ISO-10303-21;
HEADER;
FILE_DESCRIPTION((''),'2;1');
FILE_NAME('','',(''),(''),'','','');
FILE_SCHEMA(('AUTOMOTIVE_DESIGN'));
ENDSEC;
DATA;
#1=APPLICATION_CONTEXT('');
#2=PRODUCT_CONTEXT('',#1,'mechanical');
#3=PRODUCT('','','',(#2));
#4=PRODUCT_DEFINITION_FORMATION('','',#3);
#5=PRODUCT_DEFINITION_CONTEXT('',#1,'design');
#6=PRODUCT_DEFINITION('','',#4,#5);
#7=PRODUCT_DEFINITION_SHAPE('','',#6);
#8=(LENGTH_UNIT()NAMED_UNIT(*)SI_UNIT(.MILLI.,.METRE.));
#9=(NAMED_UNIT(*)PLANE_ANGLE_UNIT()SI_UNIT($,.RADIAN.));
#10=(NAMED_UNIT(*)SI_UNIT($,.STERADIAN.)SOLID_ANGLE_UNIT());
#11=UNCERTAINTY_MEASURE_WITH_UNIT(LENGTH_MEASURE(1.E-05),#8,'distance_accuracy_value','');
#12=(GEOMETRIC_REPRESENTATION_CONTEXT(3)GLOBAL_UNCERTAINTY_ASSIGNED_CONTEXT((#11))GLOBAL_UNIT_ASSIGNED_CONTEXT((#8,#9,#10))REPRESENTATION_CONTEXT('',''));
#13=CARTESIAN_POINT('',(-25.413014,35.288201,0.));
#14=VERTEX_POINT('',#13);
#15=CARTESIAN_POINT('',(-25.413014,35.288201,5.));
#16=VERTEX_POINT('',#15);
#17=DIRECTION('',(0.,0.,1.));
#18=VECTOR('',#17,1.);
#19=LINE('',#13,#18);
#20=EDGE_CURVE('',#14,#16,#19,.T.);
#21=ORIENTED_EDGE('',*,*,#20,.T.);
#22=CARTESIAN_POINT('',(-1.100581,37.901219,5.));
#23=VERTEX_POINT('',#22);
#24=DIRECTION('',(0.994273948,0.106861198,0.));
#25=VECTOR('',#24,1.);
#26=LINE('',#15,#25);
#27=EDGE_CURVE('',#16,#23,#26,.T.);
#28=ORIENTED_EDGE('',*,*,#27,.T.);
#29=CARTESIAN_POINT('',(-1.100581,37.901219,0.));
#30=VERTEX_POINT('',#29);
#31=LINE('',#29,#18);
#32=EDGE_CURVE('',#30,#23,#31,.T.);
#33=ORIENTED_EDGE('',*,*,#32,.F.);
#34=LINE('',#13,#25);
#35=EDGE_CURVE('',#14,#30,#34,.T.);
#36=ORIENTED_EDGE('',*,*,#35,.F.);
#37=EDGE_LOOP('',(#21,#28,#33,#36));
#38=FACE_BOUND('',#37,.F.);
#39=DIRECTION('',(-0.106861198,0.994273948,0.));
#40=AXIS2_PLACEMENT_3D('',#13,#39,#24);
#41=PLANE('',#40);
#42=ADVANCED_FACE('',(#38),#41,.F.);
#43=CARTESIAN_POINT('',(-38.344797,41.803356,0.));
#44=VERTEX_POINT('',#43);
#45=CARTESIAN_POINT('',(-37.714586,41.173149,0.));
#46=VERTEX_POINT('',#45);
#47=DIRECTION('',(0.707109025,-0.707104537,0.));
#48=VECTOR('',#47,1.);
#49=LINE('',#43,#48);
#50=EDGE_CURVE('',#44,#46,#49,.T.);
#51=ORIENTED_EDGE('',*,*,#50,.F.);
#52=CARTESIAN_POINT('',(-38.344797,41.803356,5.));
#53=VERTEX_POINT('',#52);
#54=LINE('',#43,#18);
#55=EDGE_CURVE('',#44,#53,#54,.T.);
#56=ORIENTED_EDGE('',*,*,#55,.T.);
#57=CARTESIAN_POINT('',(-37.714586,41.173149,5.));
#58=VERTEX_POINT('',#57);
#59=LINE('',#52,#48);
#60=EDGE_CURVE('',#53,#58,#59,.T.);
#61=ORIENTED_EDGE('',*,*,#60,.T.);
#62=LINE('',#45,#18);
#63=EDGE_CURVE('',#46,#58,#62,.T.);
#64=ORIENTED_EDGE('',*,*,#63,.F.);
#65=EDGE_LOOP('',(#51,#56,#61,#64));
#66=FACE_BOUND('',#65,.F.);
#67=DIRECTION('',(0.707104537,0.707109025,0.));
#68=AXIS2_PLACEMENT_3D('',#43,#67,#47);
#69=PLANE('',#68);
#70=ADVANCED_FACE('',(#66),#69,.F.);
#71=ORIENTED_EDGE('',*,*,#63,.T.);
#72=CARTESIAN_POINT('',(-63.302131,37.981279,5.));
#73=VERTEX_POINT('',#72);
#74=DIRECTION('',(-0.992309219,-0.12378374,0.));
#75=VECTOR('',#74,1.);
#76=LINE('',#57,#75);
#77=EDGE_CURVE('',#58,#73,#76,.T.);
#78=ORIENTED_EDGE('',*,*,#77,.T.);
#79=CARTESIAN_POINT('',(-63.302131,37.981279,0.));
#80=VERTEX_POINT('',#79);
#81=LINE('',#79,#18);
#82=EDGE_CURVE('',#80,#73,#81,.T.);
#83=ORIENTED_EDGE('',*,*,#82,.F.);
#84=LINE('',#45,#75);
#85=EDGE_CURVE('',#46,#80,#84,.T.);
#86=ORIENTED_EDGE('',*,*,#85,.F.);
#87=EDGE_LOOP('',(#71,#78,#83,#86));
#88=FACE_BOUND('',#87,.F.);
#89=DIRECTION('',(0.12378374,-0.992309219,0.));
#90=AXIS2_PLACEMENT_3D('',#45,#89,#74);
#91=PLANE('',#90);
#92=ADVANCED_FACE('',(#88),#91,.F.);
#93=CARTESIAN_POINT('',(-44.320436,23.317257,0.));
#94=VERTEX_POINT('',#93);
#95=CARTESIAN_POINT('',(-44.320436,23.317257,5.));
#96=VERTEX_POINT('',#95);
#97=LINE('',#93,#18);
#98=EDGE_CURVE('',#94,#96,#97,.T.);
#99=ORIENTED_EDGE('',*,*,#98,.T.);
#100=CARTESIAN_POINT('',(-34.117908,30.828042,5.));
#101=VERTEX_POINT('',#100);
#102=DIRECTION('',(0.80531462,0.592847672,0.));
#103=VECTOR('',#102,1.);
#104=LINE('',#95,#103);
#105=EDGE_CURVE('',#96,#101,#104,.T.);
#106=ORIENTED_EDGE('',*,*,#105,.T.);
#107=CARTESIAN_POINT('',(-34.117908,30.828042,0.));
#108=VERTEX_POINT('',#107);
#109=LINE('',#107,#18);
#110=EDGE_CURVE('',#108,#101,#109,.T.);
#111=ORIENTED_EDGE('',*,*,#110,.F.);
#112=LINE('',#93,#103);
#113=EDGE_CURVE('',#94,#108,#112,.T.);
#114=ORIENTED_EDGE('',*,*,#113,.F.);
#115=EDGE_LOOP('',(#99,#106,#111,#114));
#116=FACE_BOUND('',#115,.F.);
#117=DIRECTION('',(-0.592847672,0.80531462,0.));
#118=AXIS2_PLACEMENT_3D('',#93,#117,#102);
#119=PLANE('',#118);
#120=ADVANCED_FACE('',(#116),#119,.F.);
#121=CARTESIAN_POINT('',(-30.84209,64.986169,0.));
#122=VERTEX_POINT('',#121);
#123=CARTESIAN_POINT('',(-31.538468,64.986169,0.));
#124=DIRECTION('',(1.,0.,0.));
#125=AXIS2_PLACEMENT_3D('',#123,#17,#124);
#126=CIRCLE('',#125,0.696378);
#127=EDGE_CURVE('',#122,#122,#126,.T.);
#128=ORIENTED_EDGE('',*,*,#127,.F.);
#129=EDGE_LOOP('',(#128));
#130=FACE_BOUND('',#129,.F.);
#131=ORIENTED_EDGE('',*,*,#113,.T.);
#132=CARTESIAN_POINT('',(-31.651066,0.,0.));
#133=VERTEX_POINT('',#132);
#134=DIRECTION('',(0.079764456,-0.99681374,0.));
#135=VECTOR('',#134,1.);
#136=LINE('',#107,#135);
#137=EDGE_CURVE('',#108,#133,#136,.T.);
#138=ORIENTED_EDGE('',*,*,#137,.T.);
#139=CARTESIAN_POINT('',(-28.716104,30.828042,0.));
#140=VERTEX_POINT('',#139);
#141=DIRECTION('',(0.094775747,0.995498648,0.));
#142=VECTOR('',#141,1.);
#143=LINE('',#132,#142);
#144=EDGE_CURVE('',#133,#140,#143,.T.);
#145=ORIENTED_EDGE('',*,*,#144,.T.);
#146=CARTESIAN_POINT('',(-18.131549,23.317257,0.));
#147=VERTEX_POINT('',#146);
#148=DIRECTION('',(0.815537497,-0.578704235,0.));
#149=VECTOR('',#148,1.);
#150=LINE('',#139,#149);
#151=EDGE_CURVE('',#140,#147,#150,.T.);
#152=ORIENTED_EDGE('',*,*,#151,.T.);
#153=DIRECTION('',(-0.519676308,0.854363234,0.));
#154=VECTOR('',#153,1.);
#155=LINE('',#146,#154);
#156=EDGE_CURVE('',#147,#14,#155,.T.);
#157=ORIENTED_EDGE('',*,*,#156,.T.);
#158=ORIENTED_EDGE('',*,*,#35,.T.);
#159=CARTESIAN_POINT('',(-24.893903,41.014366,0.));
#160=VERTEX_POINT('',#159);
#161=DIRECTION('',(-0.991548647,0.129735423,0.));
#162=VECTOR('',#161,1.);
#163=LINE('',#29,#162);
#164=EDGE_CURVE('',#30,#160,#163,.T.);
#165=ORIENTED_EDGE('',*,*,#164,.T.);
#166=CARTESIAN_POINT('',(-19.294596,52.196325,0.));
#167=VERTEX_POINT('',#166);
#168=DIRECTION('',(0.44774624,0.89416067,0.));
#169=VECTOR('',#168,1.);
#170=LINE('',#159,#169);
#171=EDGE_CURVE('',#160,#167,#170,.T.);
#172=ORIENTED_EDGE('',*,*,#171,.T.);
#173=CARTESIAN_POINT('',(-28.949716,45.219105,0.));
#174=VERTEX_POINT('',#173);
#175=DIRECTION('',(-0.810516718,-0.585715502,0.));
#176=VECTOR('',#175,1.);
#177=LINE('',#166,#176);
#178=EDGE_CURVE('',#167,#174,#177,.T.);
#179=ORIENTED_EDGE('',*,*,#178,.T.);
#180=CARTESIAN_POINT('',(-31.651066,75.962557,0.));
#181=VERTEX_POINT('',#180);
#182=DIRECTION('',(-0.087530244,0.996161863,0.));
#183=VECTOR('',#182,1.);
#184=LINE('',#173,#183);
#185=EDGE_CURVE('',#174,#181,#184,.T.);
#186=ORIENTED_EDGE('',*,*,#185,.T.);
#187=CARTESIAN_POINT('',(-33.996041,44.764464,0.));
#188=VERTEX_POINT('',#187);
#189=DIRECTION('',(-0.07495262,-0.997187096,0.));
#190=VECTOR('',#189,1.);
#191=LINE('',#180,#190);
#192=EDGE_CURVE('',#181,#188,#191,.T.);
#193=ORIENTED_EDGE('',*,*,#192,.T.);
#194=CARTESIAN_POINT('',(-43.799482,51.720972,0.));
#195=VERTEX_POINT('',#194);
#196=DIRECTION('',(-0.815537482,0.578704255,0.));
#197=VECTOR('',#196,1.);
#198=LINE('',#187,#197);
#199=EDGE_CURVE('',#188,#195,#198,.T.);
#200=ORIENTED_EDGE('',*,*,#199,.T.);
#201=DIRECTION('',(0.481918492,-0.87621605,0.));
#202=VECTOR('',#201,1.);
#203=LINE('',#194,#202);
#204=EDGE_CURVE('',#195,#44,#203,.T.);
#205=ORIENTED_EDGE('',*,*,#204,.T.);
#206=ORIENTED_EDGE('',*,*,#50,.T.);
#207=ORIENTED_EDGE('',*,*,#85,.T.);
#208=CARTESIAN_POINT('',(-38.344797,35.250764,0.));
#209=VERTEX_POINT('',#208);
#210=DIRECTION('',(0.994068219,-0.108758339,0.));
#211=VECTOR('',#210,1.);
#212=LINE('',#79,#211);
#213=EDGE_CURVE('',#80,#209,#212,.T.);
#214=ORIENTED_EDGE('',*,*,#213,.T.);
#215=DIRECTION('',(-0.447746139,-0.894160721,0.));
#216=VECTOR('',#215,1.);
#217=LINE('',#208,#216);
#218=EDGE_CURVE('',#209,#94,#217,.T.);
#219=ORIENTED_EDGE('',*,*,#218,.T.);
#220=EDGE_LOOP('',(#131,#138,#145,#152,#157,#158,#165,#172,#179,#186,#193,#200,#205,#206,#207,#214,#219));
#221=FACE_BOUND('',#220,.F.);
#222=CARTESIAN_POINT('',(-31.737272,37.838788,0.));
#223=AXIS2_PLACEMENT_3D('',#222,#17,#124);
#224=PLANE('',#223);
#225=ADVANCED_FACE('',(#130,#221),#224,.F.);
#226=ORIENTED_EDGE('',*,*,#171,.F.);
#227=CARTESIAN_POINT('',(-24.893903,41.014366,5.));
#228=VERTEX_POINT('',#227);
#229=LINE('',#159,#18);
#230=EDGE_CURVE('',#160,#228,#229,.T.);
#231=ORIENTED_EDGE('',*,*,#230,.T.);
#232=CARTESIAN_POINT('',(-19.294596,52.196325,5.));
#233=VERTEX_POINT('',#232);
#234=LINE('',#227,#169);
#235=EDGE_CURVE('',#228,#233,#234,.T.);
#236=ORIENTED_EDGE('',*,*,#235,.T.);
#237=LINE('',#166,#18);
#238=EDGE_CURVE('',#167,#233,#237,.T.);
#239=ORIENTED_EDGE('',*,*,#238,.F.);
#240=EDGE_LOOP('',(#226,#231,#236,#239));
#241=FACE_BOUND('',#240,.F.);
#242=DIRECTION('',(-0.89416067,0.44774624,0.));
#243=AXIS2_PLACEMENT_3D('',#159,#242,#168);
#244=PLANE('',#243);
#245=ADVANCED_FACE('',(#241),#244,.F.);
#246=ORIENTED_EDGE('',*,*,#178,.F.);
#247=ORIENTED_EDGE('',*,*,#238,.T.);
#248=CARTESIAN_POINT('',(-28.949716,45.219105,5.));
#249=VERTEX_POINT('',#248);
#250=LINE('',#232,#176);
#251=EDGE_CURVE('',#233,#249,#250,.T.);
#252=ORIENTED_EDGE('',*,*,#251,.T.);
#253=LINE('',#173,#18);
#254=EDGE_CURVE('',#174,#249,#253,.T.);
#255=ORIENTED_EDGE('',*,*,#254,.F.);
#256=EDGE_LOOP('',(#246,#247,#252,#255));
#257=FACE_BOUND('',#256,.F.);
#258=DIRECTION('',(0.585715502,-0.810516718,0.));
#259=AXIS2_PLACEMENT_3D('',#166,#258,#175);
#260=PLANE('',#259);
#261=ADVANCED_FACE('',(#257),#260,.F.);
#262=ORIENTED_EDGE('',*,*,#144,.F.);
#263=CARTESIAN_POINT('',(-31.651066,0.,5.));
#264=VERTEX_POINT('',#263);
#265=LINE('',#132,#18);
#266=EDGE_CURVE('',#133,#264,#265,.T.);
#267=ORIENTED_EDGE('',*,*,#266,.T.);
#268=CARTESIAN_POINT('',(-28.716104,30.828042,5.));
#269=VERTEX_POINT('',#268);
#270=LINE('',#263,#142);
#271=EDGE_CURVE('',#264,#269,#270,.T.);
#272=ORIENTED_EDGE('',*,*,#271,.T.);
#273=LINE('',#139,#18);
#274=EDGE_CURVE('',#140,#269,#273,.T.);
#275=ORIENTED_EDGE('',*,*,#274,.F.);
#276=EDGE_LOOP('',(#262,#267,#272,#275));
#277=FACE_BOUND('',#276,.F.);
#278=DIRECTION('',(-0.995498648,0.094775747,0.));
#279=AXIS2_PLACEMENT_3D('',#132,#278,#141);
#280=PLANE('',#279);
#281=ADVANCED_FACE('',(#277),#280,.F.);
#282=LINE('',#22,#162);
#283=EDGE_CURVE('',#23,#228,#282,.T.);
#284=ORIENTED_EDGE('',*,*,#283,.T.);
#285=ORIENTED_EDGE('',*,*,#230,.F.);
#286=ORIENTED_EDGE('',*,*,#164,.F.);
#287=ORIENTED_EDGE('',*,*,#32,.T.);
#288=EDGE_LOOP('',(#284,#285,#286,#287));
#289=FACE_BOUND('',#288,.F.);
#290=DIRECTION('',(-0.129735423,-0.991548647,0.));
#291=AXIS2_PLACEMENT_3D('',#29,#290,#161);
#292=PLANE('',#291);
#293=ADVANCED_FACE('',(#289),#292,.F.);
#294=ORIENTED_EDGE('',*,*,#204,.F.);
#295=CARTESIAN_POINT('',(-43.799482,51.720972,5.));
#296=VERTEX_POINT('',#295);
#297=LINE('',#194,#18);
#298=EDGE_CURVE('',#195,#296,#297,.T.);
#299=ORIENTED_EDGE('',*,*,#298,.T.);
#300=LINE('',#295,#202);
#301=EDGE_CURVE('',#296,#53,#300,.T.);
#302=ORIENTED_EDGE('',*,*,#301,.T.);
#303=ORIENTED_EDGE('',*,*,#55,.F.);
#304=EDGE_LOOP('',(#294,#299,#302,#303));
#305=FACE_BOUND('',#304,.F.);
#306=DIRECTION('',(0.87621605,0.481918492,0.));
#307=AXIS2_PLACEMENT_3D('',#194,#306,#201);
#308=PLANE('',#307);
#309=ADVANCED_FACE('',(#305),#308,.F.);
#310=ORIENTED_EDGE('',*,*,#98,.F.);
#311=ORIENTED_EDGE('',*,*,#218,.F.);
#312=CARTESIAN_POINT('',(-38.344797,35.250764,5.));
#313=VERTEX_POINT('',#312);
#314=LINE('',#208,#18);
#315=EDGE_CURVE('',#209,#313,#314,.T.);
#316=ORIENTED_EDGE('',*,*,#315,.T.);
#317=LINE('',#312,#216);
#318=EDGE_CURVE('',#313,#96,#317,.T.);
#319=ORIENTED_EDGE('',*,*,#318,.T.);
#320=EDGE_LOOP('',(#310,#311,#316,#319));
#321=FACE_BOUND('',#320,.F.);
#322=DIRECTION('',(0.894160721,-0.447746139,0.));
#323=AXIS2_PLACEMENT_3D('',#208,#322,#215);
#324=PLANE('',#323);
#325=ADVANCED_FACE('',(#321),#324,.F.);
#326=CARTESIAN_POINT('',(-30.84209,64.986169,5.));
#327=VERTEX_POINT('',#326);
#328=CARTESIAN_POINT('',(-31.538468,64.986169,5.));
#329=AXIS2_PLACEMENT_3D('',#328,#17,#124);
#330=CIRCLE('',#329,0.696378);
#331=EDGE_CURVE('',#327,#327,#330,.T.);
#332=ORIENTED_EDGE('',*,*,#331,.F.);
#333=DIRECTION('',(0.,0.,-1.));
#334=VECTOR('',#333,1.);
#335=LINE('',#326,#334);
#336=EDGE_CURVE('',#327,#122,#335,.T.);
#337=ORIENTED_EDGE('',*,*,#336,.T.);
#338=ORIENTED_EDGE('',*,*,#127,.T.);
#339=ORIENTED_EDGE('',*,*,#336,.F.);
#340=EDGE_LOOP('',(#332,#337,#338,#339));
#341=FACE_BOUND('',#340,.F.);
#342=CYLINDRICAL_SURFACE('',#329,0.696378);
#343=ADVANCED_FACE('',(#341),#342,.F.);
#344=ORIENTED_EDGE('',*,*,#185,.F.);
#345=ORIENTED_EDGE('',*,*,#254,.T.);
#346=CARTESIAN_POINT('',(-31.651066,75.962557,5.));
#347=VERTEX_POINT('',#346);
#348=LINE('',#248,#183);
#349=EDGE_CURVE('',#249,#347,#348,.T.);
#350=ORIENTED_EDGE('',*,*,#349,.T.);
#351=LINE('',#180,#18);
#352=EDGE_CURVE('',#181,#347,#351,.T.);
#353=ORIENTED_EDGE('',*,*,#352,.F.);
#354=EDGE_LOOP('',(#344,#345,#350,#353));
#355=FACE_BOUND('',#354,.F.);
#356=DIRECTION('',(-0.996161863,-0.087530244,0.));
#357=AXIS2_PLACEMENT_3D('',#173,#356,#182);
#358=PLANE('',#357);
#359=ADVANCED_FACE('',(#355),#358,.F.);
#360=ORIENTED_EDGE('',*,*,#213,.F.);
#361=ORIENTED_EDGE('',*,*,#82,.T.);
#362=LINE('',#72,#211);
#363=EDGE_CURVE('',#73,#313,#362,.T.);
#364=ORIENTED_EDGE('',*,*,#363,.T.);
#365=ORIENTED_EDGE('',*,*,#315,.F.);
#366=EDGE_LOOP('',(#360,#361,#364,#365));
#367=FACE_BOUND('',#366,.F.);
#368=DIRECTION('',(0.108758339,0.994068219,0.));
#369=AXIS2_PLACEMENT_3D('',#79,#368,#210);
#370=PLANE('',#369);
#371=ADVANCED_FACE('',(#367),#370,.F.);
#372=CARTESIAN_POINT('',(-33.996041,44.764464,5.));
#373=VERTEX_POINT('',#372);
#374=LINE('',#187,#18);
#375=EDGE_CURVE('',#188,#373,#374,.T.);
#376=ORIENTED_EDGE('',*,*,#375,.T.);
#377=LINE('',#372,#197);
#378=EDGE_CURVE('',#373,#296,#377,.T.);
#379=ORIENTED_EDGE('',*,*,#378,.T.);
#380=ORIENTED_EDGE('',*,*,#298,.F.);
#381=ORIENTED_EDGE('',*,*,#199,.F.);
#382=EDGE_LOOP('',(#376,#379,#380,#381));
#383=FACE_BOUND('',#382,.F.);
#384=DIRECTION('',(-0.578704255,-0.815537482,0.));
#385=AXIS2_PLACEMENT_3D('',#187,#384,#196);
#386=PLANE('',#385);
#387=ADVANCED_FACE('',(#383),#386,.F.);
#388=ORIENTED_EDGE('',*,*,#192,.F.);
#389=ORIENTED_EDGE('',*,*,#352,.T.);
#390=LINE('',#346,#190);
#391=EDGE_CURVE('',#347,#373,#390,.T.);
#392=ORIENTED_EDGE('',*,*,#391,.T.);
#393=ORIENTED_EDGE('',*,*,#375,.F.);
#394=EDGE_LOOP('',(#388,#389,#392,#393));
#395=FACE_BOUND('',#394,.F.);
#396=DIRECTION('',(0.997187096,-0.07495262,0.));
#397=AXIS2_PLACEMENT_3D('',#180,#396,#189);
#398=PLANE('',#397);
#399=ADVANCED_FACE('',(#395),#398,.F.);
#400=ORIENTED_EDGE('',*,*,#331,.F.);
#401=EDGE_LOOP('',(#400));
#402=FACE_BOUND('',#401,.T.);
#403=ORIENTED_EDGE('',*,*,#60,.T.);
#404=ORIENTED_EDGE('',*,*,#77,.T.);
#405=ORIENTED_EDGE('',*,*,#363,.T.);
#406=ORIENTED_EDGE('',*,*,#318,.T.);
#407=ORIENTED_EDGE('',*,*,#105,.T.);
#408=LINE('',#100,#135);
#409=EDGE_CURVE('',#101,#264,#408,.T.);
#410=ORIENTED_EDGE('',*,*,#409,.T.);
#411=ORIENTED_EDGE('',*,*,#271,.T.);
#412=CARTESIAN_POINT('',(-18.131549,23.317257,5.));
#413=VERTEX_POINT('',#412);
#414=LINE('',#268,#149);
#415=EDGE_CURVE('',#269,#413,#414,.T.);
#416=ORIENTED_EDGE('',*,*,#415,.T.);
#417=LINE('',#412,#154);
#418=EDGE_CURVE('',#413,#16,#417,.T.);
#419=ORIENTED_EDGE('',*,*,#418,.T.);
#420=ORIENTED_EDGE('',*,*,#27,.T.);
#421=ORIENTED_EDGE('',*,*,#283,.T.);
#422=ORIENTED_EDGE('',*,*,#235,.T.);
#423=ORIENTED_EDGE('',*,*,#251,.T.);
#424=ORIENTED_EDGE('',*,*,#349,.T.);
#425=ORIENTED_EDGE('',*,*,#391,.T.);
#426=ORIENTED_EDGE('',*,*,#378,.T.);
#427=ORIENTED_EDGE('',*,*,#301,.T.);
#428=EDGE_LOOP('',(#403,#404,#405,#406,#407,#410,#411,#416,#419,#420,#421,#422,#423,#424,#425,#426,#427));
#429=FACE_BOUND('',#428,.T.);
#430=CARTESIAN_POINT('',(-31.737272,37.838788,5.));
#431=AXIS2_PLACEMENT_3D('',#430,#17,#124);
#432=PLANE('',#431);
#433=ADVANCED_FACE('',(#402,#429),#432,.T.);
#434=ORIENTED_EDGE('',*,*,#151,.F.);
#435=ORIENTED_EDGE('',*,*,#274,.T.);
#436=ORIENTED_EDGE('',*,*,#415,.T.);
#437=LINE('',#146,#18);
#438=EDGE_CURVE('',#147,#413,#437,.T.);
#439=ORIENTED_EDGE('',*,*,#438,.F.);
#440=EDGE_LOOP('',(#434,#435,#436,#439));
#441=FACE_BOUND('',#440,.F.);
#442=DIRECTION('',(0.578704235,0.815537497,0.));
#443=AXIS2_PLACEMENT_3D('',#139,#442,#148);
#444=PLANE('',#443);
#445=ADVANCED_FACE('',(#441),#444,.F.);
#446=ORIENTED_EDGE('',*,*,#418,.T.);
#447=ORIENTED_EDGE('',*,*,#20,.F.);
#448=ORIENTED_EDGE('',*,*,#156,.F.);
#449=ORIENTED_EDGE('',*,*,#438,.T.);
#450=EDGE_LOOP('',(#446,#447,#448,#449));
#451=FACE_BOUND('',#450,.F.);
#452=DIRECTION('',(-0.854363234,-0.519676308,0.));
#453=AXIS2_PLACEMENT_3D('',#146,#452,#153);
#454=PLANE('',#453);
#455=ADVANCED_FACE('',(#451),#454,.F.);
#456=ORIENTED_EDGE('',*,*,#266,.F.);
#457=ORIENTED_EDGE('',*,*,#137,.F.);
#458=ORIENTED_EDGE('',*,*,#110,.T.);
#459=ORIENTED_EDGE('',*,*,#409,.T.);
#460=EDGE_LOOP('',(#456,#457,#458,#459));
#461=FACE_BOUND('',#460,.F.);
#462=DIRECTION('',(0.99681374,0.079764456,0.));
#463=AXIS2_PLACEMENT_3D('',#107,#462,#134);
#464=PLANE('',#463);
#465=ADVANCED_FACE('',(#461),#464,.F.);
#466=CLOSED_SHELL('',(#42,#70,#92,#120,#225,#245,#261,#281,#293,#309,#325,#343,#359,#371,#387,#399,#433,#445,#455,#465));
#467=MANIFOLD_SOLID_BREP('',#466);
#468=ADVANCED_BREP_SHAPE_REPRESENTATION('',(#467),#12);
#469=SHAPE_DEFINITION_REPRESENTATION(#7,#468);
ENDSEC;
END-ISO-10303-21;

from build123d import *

# Parameters (mm, degrees)
F1_DEPTH = 5
F2_R     = 0.696378
F3_DEPTH = 5


with BuildPart() as f1:
    # F0 (on Top) → F1 (new body)
    with BuildSketch(Plane.XY):
        Polygon((-28.949716, 45.219105), (-31.651066, 75.962557), (-33.996041, 44.764464), (-43.799482, 51.720972), (-38.344797, 41.803356), (-37.714586, 41.173149), (-63.302131, 37.981279), (-38.344797, 35.250764), (-44.320436, 23.317257), (-34.117908, 30.828042), (-31.651066, 0), (-28.716104, 30.828042), (-18.131549, 23.317257), (-25.413014, 35.288201), (-1.100581, 37.901219), (-24.893903, 41.014366), (-19.294596, 52.196325), align=None)
    extrude(amount=F1_DEPTH)

    # F2 (on face) → F3 (cut)
    with BuildSketch(Plane.XY.offset(5)):
        with Locations((-31.538468, 64.986169)):
            Circle(F2_R)
    extrude(amount=-F3_DEPTH, mode=Mode.SUBTRACT)


solid = f1.part
